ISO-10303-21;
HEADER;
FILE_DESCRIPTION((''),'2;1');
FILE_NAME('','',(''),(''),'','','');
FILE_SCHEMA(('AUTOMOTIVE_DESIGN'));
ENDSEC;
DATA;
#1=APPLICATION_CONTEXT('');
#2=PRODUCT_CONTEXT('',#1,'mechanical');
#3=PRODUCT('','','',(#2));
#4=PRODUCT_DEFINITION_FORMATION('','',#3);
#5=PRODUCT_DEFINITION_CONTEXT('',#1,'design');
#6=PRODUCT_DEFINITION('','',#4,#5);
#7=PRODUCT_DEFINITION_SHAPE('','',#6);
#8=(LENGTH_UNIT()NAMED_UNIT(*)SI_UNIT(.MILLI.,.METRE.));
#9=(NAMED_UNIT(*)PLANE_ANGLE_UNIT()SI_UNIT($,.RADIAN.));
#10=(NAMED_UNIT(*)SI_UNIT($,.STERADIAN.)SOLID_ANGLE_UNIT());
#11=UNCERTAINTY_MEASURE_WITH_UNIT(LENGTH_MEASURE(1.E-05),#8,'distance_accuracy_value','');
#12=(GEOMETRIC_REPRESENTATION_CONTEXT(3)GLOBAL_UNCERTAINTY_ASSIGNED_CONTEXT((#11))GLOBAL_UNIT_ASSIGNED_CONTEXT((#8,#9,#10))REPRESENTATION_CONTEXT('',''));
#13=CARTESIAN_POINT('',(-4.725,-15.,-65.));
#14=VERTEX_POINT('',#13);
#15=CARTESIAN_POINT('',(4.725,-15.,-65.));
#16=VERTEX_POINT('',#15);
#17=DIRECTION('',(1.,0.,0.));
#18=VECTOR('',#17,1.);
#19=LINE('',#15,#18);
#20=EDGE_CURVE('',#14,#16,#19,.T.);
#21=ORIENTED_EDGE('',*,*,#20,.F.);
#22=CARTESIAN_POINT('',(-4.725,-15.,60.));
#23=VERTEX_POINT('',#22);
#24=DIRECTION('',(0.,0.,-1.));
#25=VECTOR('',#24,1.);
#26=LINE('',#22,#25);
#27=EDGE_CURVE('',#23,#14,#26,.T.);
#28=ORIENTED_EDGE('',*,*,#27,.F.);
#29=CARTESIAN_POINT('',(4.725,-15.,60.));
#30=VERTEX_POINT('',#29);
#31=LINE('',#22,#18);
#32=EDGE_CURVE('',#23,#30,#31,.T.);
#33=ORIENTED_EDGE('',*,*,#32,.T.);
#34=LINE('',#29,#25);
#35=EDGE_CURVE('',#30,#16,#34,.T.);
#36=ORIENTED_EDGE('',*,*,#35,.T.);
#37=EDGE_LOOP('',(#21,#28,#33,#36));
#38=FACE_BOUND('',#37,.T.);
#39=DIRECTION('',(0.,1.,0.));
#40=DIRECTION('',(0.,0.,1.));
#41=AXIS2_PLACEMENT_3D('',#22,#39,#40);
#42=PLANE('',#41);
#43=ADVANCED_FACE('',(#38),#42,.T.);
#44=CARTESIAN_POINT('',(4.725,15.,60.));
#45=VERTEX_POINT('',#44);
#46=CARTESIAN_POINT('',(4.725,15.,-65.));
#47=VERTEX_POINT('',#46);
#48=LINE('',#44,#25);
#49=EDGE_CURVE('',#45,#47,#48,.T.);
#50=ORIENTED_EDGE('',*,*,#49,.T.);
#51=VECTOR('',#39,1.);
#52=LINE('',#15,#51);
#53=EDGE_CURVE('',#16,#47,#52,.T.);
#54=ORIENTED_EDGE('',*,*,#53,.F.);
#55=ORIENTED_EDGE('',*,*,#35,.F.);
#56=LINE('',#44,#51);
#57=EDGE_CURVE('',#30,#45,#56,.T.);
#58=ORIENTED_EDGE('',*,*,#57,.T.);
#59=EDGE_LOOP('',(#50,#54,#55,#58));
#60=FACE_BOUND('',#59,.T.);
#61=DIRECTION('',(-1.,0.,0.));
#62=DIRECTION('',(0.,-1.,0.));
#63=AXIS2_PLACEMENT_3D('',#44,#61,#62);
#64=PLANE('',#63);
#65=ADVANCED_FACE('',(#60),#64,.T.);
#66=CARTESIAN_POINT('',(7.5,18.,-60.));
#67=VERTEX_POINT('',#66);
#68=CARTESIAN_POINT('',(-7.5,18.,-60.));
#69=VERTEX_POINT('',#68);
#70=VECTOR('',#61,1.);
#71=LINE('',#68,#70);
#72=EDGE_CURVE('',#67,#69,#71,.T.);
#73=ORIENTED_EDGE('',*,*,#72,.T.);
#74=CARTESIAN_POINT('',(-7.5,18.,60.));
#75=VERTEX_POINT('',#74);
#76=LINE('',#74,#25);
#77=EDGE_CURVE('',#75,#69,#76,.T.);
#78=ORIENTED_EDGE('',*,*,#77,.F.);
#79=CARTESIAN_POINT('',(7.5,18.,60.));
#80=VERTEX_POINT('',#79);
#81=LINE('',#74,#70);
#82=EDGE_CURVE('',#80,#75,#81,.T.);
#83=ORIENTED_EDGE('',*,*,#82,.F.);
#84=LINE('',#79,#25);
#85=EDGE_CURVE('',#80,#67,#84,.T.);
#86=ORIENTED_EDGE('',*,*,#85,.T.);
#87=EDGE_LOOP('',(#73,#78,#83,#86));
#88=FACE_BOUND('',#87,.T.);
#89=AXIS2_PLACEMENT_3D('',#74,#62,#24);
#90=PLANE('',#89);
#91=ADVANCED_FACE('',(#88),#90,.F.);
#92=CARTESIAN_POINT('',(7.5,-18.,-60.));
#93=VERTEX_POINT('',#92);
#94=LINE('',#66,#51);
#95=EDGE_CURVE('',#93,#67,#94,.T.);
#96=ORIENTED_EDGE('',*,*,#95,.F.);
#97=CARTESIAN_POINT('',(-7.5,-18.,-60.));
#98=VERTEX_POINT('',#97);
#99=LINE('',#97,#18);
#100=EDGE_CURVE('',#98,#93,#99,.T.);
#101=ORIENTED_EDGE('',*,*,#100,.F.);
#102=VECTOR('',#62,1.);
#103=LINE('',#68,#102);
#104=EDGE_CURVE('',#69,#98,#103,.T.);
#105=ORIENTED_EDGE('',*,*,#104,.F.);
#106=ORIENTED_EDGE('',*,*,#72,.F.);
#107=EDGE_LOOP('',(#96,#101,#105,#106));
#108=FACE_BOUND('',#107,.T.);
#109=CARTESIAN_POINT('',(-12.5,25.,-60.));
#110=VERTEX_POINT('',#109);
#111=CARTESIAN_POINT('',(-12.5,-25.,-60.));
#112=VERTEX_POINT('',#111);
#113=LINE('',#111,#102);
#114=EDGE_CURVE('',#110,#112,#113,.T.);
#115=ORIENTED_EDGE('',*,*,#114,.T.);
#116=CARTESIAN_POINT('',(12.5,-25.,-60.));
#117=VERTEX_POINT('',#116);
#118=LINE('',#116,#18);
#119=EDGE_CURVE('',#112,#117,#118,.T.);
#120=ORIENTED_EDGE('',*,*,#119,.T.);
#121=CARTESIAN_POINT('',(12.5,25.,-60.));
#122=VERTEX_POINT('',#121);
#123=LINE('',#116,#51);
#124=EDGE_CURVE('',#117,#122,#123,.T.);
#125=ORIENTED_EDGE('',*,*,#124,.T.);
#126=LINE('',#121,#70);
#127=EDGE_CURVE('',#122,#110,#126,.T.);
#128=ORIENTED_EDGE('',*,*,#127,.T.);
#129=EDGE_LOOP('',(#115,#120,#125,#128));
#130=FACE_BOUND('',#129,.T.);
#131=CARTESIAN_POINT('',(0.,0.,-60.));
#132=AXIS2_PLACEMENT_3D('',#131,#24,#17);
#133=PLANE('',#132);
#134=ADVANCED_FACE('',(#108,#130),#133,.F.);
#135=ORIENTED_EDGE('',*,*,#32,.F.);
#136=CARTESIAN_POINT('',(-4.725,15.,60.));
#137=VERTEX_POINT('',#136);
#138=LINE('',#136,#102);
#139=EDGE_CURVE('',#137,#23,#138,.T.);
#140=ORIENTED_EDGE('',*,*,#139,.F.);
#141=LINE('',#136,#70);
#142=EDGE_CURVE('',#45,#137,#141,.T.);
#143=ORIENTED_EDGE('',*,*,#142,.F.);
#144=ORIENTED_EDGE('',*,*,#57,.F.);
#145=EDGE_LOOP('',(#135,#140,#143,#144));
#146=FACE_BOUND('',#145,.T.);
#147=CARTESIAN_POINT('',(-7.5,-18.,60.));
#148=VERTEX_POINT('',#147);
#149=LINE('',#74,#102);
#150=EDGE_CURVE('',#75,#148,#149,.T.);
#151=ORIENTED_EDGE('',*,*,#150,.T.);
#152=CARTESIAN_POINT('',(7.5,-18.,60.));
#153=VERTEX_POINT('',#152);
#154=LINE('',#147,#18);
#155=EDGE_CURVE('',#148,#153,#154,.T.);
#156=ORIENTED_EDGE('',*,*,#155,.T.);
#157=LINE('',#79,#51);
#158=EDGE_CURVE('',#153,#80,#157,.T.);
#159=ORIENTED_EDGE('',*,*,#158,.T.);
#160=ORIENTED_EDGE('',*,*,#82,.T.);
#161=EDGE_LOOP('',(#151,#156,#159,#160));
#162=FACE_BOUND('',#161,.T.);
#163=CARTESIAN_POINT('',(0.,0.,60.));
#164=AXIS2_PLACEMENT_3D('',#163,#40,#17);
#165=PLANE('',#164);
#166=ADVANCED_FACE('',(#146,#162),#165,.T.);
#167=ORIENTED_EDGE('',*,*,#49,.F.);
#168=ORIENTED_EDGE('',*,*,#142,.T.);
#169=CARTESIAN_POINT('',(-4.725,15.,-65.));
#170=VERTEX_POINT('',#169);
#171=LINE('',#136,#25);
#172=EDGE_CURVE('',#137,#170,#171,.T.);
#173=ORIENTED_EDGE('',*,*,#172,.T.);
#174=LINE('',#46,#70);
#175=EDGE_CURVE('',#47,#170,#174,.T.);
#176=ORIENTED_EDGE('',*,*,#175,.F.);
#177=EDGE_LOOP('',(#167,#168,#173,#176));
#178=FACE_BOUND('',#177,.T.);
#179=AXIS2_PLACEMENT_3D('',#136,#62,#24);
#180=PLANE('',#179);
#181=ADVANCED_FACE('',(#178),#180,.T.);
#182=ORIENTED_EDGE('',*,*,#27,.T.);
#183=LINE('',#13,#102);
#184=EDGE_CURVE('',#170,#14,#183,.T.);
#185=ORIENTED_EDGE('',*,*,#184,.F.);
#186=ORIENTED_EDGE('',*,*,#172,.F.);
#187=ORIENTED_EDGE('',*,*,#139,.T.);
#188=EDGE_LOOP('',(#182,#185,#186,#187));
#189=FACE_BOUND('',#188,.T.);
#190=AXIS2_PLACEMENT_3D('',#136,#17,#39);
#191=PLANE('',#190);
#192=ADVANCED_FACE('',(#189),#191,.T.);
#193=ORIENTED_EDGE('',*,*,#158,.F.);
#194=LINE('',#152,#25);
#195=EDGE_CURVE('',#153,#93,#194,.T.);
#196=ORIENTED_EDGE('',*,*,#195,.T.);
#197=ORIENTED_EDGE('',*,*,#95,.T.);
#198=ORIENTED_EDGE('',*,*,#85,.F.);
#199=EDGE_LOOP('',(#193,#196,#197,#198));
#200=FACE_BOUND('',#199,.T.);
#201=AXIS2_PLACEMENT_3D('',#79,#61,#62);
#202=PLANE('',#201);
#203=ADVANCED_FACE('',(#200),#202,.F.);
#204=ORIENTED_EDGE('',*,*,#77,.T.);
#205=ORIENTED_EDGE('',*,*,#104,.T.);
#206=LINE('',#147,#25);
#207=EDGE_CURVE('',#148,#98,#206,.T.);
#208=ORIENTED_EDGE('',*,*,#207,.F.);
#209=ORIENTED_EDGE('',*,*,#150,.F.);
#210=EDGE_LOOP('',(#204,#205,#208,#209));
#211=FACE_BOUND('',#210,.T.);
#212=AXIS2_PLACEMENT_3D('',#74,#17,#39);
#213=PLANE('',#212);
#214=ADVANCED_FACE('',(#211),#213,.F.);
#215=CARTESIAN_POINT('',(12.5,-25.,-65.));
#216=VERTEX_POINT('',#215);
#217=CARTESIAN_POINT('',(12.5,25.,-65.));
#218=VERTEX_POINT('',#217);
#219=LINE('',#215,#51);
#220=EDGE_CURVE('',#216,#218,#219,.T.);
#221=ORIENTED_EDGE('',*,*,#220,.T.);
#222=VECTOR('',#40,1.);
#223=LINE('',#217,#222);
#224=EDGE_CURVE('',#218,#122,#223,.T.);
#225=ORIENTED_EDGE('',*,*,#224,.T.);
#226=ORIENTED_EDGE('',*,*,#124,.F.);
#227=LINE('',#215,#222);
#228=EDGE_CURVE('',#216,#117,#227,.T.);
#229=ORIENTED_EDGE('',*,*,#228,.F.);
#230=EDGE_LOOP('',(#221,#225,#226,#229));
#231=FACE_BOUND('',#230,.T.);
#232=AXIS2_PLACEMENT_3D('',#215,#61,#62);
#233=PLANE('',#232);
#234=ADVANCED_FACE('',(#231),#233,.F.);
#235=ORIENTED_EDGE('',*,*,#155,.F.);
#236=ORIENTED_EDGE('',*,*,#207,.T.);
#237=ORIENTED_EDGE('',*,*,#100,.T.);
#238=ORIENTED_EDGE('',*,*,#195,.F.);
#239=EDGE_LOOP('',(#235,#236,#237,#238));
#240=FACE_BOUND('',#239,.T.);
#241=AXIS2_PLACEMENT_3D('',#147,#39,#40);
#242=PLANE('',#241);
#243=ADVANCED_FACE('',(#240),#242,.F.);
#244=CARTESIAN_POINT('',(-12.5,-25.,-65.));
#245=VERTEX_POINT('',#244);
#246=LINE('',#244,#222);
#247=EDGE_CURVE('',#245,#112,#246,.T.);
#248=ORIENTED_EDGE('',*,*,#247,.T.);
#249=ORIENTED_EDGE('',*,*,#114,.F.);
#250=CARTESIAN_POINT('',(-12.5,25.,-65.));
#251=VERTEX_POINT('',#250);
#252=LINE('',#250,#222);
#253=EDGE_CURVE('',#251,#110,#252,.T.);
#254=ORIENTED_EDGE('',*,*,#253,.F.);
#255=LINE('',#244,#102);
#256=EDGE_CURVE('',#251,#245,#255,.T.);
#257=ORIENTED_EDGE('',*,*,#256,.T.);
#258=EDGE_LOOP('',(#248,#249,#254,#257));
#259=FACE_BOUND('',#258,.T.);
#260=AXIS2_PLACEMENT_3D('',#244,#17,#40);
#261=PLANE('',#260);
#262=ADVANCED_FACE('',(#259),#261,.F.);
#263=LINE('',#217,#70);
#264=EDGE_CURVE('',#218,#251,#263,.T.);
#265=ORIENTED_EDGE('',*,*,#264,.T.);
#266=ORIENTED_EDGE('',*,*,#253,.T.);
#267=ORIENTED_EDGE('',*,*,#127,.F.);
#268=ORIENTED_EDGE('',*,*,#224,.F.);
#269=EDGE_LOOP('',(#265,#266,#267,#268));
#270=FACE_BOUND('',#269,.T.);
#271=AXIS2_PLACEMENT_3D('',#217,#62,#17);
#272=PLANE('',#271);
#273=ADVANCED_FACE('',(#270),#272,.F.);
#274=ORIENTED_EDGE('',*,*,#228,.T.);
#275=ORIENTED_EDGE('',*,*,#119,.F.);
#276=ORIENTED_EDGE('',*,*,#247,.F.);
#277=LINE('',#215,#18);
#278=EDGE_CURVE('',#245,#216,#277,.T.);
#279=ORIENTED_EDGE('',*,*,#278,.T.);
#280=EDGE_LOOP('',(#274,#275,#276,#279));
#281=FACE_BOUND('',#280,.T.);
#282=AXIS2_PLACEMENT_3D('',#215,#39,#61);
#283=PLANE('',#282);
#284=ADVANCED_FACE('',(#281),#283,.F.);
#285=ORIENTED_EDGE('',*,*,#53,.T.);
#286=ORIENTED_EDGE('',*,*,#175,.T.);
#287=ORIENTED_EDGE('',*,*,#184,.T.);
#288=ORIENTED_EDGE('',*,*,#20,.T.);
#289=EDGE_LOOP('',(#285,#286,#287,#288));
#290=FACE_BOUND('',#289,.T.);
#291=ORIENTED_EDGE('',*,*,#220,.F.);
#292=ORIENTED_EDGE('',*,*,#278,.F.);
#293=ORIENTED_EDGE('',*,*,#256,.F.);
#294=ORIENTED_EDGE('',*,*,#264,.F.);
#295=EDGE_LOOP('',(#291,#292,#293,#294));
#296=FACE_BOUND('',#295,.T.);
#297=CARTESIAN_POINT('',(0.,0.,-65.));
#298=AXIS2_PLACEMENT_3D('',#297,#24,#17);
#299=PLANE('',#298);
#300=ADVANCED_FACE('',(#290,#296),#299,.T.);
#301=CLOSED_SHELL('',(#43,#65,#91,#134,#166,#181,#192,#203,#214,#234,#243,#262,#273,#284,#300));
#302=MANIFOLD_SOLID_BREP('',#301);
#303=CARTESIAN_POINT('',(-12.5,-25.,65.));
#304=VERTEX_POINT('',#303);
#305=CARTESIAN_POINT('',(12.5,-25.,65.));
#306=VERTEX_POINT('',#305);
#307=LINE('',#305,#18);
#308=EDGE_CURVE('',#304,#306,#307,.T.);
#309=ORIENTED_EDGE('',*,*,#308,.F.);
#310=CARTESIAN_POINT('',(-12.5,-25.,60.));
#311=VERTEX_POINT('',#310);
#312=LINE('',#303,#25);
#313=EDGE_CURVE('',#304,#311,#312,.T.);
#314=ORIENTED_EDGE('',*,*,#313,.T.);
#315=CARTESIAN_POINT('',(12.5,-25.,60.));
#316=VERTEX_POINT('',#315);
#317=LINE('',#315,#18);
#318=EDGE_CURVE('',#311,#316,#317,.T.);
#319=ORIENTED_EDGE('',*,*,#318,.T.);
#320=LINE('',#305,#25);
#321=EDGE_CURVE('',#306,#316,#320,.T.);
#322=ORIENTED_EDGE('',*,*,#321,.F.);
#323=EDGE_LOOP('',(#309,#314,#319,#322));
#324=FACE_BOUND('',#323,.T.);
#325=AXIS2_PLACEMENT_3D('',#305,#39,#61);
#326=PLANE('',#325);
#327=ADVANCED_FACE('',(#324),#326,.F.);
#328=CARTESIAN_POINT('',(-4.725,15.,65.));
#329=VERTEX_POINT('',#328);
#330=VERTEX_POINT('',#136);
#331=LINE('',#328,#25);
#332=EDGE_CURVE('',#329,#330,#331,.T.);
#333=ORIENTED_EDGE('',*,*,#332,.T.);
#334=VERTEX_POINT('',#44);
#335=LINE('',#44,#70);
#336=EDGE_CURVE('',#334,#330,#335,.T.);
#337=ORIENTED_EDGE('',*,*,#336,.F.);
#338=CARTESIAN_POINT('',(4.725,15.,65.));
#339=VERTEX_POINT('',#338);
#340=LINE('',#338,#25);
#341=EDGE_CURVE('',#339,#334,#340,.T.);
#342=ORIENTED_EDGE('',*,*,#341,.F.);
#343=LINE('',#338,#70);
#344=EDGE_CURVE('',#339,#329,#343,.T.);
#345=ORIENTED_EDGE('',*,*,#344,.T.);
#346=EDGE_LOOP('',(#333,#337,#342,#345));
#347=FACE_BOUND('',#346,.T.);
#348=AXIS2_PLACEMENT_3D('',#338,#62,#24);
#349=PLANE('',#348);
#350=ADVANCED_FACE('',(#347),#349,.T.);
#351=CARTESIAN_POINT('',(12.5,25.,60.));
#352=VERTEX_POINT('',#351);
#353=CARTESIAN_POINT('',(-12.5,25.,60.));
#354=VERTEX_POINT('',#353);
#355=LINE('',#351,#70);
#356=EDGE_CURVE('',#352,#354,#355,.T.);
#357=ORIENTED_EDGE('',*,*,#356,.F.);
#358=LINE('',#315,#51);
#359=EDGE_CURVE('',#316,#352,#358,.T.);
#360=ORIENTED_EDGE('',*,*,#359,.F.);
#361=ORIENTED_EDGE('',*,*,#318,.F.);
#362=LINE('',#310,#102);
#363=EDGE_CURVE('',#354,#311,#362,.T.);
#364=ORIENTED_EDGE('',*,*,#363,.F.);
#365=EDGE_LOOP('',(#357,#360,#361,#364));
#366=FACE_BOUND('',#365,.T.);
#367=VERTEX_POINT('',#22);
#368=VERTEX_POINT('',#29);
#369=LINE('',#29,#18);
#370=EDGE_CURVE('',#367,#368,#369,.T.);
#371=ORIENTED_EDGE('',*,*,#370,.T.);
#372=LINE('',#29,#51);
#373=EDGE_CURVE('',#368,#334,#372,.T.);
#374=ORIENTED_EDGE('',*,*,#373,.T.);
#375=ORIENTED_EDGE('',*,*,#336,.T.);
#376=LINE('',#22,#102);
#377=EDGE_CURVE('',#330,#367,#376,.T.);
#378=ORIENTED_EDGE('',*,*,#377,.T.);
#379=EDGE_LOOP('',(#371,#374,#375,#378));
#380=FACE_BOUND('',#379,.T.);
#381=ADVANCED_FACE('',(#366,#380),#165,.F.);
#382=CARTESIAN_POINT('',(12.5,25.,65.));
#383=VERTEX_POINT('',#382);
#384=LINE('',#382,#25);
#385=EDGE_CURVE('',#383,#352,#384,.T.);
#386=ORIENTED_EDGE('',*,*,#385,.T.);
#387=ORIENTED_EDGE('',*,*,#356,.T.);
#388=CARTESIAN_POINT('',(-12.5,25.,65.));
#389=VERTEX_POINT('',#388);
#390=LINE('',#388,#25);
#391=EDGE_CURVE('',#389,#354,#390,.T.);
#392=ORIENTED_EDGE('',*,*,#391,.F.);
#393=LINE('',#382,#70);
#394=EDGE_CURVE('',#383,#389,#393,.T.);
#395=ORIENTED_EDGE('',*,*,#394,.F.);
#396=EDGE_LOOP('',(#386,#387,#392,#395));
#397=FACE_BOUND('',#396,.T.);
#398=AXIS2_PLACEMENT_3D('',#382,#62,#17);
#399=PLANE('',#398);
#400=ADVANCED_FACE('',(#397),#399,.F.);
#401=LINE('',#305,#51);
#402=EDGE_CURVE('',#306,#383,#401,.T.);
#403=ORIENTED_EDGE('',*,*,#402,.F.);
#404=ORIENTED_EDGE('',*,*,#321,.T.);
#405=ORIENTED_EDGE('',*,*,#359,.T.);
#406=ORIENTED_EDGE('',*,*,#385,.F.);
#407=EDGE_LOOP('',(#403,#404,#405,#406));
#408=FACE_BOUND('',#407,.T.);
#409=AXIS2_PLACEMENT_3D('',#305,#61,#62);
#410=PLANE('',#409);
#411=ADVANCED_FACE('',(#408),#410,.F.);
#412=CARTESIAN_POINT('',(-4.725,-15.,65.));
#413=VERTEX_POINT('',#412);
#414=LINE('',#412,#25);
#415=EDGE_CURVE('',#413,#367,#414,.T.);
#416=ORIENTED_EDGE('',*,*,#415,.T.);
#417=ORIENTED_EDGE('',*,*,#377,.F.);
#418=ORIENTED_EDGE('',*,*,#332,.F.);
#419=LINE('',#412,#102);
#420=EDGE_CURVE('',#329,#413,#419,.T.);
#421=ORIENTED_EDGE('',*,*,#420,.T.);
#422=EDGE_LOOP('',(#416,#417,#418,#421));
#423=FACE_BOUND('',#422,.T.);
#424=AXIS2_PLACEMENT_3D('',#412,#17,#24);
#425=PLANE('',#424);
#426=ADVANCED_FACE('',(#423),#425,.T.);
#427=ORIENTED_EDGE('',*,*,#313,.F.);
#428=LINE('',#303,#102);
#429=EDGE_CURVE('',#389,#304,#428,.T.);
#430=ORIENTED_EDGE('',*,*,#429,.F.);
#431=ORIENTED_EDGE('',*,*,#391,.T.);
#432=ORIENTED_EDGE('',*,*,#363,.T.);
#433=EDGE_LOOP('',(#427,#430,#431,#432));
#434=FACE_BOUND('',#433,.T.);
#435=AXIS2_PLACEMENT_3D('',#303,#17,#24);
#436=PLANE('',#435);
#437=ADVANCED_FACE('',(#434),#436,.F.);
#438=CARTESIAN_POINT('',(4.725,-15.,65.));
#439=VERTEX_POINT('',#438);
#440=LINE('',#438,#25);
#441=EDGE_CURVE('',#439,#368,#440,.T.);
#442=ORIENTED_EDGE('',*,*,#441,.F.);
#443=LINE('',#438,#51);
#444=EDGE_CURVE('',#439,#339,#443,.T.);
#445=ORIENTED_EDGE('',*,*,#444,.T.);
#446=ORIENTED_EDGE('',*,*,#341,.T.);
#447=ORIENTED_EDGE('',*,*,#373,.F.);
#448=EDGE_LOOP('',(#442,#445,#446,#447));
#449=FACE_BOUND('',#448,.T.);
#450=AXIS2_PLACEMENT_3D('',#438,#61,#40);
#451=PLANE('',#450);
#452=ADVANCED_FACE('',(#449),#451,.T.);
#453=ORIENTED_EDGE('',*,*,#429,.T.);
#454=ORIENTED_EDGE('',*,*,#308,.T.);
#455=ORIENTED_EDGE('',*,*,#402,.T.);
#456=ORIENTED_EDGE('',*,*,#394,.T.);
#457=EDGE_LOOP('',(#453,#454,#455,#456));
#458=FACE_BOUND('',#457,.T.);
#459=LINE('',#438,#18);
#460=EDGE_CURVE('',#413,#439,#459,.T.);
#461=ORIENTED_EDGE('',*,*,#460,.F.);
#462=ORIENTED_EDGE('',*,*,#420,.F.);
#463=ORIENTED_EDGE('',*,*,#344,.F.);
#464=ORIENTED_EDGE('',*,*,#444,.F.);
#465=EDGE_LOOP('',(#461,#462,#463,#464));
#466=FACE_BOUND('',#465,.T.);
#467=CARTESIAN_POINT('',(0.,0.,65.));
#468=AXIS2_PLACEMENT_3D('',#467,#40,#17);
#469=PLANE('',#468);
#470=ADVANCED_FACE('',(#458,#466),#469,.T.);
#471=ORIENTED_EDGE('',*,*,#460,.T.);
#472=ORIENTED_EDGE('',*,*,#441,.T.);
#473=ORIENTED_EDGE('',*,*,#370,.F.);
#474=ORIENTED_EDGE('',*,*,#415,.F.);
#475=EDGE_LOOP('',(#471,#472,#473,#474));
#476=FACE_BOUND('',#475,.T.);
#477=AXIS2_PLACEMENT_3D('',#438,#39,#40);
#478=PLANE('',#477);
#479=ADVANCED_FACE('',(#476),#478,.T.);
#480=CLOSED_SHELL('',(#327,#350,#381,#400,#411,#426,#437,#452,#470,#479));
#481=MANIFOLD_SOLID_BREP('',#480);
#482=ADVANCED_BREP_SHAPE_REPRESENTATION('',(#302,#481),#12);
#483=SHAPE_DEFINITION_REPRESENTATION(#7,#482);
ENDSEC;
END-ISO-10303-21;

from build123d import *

# Parameters (mm, degrees)
SKETCH2_W           = 15
SKETCH2_H           = 36
SKETCH2_W_2         = 9.45
SKETCH2_H_2         = 30
BOSS_EXTRUDE1_DEPTH = 60
SKETCH3_W           = 25
SKETCH3_H           = 50
SKETCH3_W_2         = 9.45
SKETCH3_H_2         = 30
BOSS_EXTRUDE2_DEPTH = 5


with BuildPart() as part:
    # Sketch2 → Boss-Extrude1 (new, symmetric)
    with BuildSketch(Plane.XY):
        Rectangle(SKETCH2_W, SKETCH2_H)
        Rectangle(SKETCH2_W_2, SKETCH2_H_2, mode=Mode.SUBTRACT)
    extrude(amount=BOSS_EXTRUDE1_DEPTH, both=True)


with BuildPart() as body_2:
    # Sketch3 → Boss-Extrude2 (new body)
    with BuildSketch(Plane.XY.offset(60)):
        Rectangle(SKETCH3_W, SKETCH3_H)
        Rectangle(SKETCH3_W_2, SKETCH3_H_2, mode=Mode.SUBTRACT)
    boss_extrude2 = extrude(amount=BOSS_EXTRUDE2_DEPTH)


with BuildPart() as part_1:
    add(part.part)

    # Mirror2: Boss-Extrude2 across plane
    add(boss_extrude2.mirror(Plane.XY))


solid = Compound([body_2.part, part_1.part])
